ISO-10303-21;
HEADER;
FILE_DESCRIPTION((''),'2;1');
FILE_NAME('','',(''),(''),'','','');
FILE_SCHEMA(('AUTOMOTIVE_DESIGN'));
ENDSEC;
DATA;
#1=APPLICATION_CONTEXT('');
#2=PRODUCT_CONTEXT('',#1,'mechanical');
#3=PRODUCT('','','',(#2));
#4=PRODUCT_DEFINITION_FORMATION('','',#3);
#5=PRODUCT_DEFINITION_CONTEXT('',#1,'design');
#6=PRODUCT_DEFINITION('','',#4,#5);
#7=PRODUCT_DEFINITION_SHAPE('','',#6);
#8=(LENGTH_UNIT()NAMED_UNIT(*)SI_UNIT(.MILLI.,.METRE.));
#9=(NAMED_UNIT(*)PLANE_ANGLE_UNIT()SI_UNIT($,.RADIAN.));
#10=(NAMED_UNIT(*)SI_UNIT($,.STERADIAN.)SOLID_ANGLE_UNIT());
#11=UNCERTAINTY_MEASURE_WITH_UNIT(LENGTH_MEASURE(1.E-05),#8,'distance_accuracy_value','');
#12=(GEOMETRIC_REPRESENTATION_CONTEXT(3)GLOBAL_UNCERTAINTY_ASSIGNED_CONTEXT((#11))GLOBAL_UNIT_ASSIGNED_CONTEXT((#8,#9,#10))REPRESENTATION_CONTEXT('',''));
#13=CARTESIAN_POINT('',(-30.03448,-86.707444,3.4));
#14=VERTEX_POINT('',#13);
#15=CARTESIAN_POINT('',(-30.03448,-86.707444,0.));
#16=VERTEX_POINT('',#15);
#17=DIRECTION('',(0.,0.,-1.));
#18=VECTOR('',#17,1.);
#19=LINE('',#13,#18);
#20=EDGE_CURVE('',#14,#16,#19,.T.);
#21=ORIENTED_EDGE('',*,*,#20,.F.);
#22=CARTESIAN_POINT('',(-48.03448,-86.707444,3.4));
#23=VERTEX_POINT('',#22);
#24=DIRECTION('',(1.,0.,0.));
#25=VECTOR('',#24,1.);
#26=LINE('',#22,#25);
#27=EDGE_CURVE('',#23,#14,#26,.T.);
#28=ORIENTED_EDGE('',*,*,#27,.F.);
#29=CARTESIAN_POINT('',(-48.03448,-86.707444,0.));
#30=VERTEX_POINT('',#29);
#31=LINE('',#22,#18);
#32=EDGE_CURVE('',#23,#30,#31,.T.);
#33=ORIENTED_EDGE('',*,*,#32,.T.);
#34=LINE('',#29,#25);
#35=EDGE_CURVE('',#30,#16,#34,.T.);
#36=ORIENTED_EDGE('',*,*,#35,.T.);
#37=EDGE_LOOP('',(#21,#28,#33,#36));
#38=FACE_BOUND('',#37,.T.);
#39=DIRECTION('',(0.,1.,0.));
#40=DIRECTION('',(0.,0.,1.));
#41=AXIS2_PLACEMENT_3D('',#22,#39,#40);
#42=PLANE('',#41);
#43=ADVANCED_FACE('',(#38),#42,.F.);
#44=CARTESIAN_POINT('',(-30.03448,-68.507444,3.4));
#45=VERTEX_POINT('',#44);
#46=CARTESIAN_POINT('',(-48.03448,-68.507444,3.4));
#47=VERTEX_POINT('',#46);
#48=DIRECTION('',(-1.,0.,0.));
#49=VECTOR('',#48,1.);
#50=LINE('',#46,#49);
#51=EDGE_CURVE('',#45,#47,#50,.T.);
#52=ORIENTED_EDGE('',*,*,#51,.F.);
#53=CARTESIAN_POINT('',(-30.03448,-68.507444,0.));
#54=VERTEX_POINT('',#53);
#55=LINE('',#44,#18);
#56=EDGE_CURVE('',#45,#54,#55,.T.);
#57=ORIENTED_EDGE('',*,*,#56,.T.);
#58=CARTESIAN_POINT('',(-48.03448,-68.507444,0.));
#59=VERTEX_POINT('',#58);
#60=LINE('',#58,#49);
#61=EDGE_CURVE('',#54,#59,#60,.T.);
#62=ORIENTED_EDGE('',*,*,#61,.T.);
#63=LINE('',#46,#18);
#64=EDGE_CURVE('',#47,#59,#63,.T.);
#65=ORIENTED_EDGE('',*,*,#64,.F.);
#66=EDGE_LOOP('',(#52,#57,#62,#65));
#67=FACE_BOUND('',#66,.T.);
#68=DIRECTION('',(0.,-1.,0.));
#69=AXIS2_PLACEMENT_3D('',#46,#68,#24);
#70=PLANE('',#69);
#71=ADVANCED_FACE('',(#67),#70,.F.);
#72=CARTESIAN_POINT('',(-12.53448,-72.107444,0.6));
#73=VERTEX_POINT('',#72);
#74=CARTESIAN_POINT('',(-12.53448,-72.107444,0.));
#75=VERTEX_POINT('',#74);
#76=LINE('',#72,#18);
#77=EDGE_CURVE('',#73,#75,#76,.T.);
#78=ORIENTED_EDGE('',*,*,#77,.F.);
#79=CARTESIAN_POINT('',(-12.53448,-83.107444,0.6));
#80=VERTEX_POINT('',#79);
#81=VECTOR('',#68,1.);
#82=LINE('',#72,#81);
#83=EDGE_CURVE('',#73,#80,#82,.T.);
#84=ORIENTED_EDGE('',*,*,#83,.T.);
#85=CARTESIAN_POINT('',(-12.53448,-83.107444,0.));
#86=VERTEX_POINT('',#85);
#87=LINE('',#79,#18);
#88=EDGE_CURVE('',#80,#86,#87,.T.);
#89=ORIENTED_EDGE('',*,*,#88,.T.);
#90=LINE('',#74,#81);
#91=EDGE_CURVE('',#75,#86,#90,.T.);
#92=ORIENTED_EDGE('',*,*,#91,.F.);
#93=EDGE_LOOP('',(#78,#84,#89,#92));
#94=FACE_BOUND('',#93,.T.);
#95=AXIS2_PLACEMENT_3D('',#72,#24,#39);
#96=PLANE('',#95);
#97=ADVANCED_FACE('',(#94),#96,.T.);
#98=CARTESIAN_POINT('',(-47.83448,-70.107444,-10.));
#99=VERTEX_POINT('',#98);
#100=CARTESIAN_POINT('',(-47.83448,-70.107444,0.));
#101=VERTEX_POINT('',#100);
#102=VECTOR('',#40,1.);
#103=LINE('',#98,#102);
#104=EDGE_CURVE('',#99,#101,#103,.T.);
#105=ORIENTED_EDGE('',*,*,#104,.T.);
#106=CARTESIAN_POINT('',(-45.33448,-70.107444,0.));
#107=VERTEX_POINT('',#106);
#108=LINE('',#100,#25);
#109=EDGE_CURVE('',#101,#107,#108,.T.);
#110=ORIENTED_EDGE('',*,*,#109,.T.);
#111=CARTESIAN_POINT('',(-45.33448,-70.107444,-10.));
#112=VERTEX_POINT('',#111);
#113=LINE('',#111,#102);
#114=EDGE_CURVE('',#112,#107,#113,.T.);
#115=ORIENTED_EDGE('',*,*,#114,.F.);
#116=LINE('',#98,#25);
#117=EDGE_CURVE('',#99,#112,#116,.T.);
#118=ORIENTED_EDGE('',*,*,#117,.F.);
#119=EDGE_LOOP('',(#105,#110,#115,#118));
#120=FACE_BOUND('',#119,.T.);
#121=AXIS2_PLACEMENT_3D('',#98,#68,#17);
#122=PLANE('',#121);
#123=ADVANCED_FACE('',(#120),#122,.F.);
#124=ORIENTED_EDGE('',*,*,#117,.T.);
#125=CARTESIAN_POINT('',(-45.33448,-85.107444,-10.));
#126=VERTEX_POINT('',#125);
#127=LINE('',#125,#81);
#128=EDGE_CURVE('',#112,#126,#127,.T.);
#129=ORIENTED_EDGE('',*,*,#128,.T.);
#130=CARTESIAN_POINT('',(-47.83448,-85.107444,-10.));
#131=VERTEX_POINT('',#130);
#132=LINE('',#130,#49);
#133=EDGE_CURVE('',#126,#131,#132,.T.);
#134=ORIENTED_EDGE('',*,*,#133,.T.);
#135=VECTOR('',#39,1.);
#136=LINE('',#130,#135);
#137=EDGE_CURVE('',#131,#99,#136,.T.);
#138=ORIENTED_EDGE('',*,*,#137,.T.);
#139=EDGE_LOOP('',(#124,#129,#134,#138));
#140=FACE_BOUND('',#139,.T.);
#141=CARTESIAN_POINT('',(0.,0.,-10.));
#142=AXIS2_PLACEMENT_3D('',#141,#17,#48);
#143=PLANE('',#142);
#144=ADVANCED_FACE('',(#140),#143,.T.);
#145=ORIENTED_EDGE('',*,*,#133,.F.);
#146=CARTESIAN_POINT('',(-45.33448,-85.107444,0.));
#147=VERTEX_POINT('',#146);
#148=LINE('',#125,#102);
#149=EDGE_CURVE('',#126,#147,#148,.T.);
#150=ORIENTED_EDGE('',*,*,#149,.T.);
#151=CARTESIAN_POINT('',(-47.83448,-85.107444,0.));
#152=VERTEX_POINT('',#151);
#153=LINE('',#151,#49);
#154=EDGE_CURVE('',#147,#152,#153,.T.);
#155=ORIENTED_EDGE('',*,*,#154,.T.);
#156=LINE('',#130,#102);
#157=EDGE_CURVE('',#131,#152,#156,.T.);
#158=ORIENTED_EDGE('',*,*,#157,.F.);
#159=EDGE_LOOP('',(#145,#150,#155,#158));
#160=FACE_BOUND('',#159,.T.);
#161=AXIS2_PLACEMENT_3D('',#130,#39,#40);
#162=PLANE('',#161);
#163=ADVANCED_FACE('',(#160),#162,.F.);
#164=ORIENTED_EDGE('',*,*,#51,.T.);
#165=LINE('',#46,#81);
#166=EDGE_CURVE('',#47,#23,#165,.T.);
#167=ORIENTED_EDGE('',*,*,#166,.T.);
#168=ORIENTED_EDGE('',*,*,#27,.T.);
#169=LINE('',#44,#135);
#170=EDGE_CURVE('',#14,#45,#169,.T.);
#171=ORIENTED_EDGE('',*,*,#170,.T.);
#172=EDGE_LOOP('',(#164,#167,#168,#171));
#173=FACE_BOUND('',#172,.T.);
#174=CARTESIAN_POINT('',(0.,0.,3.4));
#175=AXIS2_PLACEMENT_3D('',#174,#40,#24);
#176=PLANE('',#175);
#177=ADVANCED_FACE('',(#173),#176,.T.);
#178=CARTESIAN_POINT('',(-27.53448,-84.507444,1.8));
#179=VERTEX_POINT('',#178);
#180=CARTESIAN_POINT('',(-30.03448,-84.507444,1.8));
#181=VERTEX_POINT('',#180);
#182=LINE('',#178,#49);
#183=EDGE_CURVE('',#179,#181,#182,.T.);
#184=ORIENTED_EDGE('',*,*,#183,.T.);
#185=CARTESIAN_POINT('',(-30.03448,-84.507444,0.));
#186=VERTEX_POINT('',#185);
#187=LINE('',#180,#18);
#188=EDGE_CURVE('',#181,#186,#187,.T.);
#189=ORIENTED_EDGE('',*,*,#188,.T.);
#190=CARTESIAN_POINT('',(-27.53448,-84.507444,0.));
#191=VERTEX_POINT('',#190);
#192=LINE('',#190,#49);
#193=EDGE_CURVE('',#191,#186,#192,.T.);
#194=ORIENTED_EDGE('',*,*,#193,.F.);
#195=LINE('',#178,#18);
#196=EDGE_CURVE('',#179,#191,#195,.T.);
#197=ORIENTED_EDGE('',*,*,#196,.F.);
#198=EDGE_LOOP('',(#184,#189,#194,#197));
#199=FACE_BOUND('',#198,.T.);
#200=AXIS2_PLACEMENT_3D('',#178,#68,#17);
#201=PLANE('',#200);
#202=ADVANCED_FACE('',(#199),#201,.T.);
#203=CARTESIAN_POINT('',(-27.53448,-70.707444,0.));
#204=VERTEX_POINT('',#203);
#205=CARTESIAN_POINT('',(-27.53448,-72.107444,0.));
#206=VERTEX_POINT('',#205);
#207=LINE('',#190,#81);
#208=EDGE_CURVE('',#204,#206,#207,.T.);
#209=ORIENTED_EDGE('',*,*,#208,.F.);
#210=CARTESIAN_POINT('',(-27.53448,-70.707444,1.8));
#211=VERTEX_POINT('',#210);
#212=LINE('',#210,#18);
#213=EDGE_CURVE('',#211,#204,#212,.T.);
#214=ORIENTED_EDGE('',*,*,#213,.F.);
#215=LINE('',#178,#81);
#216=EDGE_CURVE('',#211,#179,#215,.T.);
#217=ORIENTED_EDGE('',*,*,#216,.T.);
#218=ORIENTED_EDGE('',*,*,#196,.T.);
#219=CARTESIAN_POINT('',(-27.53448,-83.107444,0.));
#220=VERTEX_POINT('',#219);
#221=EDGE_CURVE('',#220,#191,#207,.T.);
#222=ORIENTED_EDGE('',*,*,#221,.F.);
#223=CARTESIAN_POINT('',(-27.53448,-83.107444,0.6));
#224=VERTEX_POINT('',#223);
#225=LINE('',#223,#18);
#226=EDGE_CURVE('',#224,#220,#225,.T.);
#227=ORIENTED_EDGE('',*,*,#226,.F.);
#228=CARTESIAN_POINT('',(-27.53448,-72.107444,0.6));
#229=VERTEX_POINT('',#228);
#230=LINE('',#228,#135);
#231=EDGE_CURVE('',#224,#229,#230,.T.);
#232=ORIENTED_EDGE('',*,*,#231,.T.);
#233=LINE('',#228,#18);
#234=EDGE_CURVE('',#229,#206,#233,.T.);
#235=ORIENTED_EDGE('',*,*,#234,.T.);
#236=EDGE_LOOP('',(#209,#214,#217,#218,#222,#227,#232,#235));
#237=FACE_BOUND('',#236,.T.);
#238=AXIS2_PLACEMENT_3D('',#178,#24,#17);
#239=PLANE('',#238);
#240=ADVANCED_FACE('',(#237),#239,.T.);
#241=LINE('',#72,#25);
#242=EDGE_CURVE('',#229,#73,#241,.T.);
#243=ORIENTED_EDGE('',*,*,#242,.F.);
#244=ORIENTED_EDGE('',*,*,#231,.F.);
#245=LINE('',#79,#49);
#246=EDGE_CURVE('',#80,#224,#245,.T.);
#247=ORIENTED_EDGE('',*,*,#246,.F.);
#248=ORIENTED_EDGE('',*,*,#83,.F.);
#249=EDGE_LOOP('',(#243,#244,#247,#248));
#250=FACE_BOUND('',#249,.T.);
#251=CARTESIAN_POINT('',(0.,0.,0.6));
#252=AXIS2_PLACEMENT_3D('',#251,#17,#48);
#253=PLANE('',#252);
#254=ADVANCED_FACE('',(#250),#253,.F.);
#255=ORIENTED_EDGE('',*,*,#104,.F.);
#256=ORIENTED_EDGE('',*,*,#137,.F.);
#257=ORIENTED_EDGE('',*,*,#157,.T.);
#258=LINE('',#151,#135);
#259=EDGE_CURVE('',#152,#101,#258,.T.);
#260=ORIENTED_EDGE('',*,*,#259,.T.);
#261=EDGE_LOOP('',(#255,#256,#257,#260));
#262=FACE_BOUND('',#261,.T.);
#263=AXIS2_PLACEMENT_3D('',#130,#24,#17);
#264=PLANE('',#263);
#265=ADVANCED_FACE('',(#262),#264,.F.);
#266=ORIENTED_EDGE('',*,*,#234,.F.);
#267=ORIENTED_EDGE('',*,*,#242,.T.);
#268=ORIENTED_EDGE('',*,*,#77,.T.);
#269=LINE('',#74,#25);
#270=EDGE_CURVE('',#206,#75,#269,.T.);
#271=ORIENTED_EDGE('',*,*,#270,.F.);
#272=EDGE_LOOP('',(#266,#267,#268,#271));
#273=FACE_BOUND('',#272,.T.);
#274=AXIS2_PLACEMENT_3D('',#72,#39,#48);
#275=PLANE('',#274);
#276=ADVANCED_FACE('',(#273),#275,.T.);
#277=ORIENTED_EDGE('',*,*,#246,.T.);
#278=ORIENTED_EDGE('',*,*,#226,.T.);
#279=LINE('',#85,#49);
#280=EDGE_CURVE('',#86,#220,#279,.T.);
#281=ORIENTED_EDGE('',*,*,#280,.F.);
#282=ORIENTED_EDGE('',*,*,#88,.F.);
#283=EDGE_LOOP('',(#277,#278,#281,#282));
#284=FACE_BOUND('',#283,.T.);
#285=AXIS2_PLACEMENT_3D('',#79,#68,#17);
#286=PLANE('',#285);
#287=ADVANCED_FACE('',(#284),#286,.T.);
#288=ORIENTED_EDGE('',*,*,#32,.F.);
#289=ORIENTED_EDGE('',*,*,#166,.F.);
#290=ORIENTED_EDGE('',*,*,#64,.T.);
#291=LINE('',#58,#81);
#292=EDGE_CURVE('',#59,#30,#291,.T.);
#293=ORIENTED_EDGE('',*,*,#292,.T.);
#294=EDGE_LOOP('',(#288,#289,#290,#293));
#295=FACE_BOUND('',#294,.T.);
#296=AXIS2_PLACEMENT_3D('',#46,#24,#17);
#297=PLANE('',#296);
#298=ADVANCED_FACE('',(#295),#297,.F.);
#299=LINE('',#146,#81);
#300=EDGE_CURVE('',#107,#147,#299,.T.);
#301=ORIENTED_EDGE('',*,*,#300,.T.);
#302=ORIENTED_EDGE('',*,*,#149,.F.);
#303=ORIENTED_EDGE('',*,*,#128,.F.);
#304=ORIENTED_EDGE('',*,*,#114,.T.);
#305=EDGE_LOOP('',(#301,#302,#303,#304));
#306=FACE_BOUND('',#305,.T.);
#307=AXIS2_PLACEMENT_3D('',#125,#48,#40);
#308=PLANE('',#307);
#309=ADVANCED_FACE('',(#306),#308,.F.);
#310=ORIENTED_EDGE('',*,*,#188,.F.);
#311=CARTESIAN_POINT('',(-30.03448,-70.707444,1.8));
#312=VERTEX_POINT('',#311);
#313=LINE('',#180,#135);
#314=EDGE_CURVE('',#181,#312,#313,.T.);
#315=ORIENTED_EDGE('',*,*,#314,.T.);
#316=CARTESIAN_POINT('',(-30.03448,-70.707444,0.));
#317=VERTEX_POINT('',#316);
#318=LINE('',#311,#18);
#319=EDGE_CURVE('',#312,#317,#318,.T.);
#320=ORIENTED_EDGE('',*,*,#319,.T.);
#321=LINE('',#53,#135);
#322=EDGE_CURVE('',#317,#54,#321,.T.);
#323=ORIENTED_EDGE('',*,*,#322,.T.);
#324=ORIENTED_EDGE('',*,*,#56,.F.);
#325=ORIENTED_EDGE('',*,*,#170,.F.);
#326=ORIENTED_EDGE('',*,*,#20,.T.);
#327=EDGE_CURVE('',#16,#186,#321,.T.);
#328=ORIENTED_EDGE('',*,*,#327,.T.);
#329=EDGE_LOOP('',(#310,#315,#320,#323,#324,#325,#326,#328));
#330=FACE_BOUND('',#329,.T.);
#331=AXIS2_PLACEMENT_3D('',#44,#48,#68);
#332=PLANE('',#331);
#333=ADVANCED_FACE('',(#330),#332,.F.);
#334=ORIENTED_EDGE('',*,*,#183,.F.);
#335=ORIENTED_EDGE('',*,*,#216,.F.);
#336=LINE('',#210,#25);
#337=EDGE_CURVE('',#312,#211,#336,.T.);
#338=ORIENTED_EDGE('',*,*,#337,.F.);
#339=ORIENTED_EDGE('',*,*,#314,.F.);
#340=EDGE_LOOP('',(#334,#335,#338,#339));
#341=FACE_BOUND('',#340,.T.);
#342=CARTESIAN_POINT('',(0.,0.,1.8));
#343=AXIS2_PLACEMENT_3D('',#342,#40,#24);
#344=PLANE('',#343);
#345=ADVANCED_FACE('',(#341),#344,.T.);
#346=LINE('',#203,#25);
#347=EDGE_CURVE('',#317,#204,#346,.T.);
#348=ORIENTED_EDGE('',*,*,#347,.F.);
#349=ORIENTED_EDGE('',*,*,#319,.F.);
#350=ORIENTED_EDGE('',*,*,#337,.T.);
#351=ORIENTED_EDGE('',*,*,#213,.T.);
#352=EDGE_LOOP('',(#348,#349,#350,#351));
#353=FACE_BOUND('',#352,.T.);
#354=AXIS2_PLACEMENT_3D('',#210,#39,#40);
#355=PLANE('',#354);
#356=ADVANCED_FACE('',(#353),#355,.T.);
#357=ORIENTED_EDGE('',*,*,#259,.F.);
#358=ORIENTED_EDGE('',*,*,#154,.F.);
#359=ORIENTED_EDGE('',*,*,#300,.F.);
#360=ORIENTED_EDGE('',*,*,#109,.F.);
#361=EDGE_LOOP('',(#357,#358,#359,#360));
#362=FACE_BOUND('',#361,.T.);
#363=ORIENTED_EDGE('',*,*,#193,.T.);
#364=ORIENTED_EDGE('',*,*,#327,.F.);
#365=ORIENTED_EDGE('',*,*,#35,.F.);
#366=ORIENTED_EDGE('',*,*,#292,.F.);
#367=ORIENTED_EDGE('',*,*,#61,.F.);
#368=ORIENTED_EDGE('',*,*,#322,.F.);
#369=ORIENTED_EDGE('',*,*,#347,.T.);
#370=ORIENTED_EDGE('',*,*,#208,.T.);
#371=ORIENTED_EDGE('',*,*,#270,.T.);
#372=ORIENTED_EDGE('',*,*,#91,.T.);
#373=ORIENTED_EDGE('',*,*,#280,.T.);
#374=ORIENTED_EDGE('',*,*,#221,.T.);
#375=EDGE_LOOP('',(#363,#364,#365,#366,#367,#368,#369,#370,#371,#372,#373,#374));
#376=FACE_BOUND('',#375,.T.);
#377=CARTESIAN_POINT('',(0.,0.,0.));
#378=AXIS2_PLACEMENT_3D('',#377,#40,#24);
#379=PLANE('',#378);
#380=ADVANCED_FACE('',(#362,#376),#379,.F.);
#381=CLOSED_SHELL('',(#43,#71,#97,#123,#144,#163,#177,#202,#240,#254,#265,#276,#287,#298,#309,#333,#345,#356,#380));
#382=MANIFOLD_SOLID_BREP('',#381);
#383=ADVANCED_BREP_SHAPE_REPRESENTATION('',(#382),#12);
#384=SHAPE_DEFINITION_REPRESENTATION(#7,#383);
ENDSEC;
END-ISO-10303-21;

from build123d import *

# Parameters (mm, degrees)
SKETCH_1_W      = 18
SKETCH_1_H      = 18.2
EXTRUDE_1_DEPTH = 3.4
SKETCH_2_W      = 2.5
SKETCH_2_H      = 15
EXTRUDE_2_DEPTH = 10
SKETCH_3_W      = 2.5
SKETCH_3_H      = 13.8
EXTRUDE_3_DEPTH = 1.8
SKETCH_4_W      = 15
SKETCH_4_H      = 11
EXTRUDE_4_DEPTH = 0.6


with BuildPart() as part:
    # 草圖1 → 填料-伸長1 (new body)
    with BuildSketch(Plane.XY):
        with Locations((-39.034480155, -77.607444045)):
            Rectangle(SKETCH_1_W, SKETCH_1_H)
    extrude(amount=EXTRUDE_1_DEPTH)

    # 草圖2 → 填料-伸長2 (add)
    with BuildSketch(Plane(origin=(0, 0, 0), x_dir=(-1, 0, 0), z_dir=(0, 0, -1))):
        with Locations((46.584480155, -77.607444045)):
            Rectangle(SKETCH_2_W, SKETCH_2_H)
    extrude(amount=EXTRUDE_2_DEPTH)

    # 草圖3 → 填料-伸長3 (add)
    with BuildSketch(Plane(origin=(0, 0, 0), x_dir=(-1, 0, 0), z_dir=(0, 0, -1))):
        with Locations((28.784480155, -77.607444045)):
            Rectangle(SKETCH_3_W, SKETCH_3_H)
    extrude(amount=-EXTRUDE_3_DEPTH)

    # 草圖4 → 填料-伸長4 (add)
    with BuildSketch(Plane(origin=(0, 0, 0), x_dir=(-1, 0, 0), z_dir=(0, 0, -1))):
        with Locations((20.034480155, -77.607444045)):
            Rectangle(SKETCH_4_W, SKETCH_4_H)
    extrude(amount=-EXTRUDE_4_DEPTH)


solid = part.part
